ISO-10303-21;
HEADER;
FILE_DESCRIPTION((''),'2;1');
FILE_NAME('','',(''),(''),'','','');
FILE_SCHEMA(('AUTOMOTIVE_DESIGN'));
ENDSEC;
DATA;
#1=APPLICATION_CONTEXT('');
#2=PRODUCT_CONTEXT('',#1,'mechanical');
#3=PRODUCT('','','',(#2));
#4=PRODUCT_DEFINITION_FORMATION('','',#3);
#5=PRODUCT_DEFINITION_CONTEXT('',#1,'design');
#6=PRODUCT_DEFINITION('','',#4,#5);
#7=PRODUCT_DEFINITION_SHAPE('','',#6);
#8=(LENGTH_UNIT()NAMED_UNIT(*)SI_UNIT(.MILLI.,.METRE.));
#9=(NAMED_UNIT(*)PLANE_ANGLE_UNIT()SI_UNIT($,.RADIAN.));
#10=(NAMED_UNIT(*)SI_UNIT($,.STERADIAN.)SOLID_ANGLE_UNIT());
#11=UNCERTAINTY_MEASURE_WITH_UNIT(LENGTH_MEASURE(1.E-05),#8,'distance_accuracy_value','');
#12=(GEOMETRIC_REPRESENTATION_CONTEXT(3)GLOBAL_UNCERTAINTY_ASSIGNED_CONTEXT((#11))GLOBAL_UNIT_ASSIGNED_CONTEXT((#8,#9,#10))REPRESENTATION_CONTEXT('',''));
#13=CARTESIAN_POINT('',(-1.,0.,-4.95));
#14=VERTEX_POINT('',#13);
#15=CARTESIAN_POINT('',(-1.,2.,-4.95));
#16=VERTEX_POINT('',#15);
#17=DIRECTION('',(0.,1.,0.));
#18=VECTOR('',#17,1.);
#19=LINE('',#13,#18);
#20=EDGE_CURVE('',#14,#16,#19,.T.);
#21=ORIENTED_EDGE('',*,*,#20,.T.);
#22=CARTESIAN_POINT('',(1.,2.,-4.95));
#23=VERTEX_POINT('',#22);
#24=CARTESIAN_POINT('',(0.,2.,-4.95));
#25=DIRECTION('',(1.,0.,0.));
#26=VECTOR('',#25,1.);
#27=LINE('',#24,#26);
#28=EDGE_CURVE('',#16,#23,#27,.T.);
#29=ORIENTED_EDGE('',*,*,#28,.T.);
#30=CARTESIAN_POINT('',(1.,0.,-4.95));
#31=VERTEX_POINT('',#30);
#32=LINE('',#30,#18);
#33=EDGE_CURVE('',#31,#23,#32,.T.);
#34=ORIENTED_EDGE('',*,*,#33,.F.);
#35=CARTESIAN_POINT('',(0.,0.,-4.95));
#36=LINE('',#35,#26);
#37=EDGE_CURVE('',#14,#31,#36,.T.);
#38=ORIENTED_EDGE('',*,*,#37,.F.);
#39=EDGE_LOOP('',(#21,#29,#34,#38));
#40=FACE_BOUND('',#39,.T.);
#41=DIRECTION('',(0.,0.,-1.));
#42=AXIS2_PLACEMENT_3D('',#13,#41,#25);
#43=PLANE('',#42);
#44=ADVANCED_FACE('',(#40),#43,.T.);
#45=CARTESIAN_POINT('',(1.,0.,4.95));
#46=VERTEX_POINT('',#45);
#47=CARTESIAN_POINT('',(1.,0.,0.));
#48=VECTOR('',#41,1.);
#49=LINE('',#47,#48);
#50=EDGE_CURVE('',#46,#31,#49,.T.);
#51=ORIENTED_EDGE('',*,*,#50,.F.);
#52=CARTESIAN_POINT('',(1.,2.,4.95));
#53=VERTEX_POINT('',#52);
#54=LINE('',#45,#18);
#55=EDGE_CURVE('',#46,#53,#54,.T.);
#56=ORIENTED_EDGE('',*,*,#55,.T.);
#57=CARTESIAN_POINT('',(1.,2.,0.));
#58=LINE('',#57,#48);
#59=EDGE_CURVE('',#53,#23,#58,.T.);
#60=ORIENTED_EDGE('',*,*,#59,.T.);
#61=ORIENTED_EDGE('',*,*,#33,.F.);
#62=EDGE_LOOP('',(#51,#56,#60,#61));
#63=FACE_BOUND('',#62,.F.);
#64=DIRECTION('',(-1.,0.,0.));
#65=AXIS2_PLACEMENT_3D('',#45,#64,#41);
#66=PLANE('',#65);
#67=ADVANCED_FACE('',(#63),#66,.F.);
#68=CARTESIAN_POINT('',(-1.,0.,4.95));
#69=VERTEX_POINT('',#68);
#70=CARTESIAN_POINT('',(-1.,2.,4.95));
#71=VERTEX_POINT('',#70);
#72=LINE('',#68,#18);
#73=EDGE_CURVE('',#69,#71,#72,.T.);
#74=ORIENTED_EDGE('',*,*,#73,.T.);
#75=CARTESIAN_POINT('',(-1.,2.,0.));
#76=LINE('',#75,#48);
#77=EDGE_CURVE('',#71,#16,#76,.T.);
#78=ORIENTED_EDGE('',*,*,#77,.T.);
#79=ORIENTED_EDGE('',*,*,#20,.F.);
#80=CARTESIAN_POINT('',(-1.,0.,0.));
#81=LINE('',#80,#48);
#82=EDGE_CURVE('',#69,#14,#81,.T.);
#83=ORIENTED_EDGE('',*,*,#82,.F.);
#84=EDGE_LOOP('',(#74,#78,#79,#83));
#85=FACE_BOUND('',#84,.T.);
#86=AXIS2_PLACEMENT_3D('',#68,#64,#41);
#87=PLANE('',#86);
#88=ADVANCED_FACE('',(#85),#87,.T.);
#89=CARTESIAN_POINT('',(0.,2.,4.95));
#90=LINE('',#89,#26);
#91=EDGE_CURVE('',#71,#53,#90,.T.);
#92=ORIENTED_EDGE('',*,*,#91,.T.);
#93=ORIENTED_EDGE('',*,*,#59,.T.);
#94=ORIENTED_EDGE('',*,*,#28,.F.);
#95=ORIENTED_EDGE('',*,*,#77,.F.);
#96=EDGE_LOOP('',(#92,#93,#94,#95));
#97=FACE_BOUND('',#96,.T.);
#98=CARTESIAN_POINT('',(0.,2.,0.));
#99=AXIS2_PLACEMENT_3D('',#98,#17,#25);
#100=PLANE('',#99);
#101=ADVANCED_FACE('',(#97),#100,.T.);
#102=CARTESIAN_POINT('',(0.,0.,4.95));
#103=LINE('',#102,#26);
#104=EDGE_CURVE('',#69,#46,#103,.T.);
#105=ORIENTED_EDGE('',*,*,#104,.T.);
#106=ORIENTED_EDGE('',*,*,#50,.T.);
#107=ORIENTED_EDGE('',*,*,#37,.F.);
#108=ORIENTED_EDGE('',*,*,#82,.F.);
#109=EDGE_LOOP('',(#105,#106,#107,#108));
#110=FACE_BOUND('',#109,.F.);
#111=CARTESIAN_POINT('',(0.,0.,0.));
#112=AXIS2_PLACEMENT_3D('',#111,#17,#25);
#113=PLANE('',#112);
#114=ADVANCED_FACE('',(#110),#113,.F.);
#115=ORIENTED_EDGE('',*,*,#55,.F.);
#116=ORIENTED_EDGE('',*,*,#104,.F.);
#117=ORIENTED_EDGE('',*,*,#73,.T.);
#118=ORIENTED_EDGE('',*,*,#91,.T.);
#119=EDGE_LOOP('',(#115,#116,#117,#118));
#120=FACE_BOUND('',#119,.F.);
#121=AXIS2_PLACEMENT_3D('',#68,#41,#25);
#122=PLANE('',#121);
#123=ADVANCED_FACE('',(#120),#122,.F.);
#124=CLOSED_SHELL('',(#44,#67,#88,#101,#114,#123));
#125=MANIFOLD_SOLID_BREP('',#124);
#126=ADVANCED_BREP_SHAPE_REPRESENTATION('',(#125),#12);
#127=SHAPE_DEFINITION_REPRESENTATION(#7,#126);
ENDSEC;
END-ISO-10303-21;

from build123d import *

# Parameters (mm, degrees)
SKETCH1_W           = 2
SKETCH1_H           = 9.9
BOSS_EXTRUDE1_DEPTH = 2


with BuildPart() as part:
    # Sketch1 → Boss-Extrude1 (new body)
    with BuildSketch(Plane(origin=(0, 0, 0), x_dir=(1, 0, 0), z_dir=(0, 1, 0))):
        Rectangle(SKETCH1_W, SKETCH1_H)
    extrude(amount=BOSS_EXTRUDE1_DEPTH)


solid = part.part
